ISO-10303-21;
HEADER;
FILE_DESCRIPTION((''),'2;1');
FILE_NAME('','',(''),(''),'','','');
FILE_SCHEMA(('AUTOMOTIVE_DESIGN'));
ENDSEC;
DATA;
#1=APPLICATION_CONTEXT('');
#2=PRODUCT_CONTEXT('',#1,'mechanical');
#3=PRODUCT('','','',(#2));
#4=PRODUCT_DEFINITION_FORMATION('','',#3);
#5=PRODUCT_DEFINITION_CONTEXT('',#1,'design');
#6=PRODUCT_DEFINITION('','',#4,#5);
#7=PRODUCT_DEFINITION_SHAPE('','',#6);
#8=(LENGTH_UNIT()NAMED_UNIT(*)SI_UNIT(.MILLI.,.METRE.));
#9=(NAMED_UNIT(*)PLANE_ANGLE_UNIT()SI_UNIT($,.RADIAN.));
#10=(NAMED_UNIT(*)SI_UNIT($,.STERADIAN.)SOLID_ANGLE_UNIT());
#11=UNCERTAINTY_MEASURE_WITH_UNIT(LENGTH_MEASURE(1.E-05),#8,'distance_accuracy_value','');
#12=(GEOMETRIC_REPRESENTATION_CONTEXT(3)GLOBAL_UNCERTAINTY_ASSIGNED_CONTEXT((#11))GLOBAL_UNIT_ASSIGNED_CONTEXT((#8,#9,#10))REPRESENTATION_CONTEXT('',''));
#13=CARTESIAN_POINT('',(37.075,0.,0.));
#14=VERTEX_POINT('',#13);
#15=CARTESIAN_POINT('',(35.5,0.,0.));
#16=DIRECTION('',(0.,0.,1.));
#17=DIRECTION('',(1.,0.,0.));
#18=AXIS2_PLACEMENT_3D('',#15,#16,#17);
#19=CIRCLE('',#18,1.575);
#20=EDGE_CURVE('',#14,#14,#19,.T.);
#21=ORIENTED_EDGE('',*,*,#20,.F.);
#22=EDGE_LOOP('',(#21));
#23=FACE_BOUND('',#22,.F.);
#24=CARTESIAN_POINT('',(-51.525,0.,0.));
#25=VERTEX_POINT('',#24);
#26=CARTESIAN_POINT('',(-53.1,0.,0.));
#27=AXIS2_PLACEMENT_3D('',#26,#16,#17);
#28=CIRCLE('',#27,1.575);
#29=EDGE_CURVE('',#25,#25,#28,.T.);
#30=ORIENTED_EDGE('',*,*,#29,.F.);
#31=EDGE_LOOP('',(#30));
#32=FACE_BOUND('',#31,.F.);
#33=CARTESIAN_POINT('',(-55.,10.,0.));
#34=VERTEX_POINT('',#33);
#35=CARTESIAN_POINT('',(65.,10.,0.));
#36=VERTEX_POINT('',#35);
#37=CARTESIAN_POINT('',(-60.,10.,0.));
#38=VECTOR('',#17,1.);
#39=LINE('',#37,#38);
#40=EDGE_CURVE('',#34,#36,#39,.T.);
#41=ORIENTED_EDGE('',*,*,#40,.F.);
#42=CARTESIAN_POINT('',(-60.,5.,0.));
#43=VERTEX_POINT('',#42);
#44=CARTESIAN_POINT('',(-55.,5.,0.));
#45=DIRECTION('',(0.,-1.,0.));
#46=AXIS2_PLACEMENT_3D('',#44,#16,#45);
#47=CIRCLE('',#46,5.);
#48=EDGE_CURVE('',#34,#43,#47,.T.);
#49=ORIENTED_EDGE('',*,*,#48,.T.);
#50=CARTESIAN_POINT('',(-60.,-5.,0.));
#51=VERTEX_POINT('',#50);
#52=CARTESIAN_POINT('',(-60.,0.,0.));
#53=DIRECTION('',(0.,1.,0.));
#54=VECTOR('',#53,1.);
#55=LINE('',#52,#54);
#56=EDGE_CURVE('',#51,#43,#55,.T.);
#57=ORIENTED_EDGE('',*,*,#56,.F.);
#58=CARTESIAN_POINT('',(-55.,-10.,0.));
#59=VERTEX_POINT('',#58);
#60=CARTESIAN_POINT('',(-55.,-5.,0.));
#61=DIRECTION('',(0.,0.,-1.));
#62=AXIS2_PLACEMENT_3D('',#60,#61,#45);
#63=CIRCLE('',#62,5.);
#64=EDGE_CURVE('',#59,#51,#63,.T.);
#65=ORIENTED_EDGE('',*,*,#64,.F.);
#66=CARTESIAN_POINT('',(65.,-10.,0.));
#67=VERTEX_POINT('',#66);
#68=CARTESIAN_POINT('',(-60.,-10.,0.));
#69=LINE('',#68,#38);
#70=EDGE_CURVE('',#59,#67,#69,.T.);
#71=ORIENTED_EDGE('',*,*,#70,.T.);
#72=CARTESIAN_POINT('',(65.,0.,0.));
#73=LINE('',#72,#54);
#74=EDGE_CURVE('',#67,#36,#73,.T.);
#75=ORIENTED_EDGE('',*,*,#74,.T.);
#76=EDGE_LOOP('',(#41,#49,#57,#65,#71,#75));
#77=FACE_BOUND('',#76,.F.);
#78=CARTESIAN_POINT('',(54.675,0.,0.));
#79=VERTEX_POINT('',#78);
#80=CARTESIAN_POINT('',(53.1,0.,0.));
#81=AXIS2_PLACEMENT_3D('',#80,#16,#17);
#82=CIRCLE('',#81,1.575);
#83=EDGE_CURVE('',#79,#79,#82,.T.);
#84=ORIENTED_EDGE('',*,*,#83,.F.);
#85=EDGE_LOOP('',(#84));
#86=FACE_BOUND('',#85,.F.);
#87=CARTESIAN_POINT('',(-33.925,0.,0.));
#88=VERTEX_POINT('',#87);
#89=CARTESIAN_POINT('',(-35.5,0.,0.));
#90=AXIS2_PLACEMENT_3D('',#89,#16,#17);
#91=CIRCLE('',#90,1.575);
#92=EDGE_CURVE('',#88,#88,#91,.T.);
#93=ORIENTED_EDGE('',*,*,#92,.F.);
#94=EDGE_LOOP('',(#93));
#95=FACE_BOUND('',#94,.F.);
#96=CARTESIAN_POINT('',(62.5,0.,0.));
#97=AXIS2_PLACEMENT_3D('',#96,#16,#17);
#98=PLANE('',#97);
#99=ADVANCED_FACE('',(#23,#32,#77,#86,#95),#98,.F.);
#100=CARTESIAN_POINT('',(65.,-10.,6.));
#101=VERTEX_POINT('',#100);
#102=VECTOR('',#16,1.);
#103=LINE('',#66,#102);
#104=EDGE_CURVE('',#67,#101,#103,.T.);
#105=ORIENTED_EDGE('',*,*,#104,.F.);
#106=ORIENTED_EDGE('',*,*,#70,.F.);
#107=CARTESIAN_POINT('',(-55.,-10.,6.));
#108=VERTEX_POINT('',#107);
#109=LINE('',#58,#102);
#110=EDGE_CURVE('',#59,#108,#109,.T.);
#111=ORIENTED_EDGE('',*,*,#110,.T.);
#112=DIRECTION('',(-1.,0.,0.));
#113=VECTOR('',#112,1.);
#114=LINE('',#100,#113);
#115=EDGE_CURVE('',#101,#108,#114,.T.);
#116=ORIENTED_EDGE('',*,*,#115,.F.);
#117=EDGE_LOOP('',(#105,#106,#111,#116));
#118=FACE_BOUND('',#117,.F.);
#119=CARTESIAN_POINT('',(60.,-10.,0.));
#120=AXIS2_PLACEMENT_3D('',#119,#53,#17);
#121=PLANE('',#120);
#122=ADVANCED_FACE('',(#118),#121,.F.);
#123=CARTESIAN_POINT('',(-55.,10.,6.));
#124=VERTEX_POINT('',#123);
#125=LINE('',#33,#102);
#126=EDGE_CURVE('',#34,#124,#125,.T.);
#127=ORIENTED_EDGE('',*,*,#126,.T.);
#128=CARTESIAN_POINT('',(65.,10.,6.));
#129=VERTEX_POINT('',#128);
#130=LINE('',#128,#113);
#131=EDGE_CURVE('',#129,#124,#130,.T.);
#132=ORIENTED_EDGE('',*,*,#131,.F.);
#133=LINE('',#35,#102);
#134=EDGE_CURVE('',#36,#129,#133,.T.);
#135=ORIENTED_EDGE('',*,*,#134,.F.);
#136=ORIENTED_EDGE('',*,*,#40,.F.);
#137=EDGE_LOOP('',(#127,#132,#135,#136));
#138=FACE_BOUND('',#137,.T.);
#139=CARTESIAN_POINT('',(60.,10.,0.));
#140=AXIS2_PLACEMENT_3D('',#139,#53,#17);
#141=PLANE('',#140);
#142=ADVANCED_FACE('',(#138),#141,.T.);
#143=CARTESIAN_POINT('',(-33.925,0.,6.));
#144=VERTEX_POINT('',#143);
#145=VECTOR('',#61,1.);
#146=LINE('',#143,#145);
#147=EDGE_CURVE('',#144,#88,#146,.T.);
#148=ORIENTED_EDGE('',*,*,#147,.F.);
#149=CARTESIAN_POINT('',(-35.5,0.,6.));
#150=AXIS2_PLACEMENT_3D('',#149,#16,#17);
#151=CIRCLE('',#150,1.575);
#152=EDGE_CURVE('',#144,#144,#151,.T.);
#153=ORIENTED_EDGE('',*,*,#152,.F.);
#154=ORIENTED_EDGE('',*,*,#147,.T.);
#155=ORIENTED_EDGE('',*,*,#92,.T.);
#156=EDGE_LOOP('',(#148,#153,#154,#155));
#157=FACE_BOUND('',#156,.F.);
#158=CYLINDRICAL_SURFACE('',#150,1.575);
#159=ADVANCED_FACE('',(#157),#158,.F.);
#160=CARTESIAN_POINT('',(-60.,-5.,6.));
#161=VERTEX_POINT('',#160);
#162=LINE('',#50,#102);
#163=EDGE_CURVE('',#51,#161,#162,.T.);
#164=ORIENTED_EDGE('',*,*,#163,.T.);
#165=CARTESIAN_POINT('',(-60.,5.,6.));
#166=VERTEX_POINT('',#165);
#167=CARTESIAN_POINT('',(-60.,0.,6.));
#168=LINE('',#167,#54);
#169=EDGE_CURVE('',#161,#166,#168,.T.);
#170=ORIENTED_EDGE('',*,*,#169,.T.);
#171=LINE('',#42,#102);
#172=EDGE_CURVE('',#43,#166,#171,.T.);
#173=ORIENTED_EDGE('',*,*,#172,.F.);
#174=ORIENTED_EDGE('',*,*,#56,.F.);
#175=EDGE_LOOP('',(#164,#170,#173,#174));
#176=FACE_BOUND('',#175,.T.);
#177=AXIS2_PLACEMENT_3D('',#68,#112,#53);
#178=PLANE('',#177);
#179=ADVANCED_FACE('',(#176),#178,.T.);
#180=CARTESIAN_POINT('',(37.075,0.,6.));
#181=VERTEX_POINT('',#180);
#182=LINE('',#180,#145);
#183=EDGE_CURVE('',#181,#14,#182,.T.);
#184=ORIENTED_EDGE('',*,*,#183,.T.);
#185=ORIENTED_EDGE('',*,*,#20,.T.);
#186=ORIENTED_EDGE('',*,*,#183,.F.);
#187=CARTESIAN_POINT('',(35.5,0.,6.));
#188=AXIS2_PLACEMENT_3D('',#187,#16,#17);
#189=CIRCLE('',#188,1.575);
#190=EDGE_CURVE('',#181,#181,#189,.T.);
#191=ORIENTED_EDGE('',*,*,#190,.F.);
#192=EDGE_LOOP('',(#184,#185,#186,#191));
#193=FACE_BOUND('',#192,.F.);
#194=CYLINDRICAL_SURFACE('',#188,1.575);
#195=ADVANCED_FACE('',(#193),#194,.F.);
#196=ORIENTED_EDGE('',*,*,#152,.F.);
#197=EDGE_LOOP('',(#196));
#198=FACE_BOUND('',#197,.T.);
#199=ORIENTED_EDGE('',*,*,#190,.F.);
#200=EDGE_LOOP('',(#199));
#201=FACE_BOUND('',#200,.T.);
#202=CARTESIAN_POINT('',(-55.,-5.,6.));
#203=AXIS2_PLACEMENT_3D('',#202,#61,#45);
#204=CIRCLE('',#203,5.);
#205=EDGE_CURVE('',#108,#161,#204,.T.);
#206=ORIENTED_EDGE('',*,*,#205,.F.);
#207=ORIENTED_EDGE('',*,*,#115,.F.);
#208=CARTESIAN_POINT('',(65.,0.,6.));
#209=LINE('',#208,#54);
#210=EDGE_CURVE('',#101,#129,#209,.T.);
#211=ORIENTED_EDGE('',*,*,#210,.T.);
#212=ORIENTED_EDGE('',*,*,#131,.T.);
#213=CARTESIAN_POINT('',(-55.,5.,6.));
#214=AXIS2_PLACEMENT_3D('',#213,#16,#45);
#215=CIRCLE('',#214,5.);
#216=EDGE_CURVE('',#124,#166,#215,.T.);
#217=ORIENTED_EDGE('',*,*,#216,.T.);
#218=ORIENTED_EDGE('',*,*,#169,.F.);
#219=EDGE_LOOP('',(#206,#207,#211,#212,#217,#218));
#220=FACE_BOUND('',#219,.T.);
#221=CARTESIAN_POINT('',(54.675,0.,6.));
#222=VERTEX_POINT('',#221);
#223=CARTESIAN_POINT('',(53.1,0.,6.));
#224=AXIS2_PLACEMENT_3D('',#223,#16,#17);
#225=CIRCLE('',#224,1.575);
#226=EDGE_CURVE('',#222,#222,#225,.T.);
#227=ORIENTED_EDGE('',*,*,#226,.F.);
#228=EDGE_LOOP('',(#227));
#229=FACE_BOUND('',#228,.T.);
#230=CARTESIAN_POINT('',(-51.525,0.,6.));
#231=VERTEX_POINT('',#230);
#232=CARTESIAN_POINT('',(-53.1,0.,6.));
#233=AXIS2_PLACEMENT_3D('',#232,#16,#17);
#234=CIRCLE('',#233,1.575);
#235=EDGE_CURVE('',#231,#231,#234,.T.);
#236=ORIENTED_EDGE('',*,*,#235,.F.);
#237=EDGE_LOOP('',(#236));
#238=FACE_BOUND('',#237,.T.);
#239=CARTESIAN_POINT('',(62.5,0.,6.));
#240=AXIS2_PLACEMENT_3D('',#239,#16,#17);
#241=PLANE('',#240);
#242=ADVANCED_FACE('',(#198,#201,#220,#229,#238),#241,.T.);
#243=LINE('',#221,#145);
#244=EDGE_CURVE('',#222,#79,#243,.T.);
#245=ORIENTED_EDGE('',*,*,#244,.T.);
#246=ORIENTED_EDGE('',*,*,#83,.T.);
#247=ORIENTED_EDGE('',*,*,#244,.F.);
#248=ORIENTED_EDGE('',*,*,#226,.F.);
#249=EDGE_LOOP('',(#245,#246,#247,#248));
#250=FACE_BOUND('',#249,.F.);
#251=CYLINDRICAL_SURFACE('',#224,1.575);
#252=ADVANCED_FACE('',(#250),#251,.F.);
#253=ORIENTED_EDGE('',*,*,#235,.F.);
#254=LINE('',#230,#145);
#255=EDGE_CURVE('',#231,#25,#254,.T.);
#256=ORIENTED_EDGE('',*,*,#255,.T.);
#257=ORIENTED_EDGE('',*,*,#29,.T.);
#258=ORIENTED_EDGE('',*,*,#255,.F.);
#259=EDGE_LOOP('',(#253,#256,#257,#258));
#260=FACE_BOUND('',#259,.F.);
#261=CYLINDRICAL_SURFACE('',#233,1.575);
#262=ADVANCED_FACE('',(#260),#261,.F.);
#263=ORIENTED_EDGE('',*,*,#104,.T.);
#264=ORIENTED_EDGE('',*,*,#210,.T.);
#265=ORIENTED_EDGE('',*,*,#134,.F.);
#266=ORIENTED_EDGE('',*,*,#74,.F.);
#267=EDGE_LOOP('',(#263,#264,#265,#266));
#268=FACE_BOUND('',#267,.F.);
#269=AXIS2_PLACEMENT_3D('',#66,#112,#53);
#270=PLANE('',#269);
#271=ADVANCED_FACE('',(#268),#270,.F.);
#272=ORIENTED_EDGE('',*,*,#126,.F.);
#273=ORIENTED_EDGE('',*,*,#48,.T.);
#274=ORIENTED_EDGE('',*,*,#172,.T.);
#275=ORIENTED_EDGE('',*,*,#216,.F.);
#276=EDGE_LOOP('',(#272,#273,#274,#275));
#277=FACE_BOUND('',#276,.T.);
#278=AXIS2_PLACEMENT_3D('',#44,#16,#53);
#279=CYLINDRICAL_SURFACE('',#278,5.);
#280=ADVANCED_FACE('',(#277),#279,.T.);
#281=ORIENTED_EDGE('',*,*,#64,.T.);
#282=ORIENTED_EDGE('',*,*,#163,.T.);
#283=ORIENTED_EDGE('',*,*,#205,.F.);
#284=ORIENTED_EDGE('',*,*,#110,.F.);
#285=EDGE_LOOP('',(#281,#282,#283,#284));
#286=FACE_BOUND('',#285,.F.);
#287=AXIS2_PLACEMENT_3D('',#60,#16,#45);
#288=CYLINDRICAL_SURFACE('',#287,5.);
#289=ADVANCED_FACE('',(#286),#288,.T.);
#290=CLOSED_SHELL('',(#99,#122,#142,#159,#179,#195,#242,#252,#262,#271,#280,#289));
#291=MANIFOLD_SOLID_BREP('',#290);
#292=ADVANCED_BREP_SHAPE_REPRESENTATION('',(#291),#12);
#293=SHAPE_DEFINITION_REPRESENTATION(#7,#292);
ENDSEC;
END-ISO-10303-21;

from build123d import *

# Parameters (mm, degrees)
F0_W     = 120
F0_H     = 20
F1_DEPTH = 6
F2_R     = 1.575
F3_DEPTH = 6
F4_W     = 5
F4_H     = 20
F5_DEPTH = 6
F6_R     = 5


with BuildPart() as f1:
    # F0 (on Top) → F1 (new body)
    with BuildSketch(Plane.XY):
        Rectangle(F0_W, F0_H)
    extrude(amount=F1_DEPTH)

    # F2 (on face) → F3 (cut, through all)
    with BuildSketch(Plane.XY.offset(6)):
        with Locations((-53.1, 0)):
            Circle(F2_R)
        with Locations((-35.5, 0)):
            Circle(F2_R)
        with Locations((53.1, 0)):
            Circle(F2_R)
        with Locations((35.5, 0)):
            Circle(F2_R)
    extrude(amount=-F3_DEPTH, mode=Mode.SUBTRACT)

    # F4 (on Top) → F5 (join, through all)
    with BuildSketch(Plane.XY):
        with Locations((62.5, 0)):
            Rectangle(F4_W, F4_H)
    extrude(amount=F5_DEPTH)

    # F6
    f6_edges = [f1.edges().sort_by_distance(p)[0] for p in [
        (-60, -10, 3),
        (-60, 10, 3),
    ]]
    fillet(f6_edges, radius=F6_R)


solid = f1.part
